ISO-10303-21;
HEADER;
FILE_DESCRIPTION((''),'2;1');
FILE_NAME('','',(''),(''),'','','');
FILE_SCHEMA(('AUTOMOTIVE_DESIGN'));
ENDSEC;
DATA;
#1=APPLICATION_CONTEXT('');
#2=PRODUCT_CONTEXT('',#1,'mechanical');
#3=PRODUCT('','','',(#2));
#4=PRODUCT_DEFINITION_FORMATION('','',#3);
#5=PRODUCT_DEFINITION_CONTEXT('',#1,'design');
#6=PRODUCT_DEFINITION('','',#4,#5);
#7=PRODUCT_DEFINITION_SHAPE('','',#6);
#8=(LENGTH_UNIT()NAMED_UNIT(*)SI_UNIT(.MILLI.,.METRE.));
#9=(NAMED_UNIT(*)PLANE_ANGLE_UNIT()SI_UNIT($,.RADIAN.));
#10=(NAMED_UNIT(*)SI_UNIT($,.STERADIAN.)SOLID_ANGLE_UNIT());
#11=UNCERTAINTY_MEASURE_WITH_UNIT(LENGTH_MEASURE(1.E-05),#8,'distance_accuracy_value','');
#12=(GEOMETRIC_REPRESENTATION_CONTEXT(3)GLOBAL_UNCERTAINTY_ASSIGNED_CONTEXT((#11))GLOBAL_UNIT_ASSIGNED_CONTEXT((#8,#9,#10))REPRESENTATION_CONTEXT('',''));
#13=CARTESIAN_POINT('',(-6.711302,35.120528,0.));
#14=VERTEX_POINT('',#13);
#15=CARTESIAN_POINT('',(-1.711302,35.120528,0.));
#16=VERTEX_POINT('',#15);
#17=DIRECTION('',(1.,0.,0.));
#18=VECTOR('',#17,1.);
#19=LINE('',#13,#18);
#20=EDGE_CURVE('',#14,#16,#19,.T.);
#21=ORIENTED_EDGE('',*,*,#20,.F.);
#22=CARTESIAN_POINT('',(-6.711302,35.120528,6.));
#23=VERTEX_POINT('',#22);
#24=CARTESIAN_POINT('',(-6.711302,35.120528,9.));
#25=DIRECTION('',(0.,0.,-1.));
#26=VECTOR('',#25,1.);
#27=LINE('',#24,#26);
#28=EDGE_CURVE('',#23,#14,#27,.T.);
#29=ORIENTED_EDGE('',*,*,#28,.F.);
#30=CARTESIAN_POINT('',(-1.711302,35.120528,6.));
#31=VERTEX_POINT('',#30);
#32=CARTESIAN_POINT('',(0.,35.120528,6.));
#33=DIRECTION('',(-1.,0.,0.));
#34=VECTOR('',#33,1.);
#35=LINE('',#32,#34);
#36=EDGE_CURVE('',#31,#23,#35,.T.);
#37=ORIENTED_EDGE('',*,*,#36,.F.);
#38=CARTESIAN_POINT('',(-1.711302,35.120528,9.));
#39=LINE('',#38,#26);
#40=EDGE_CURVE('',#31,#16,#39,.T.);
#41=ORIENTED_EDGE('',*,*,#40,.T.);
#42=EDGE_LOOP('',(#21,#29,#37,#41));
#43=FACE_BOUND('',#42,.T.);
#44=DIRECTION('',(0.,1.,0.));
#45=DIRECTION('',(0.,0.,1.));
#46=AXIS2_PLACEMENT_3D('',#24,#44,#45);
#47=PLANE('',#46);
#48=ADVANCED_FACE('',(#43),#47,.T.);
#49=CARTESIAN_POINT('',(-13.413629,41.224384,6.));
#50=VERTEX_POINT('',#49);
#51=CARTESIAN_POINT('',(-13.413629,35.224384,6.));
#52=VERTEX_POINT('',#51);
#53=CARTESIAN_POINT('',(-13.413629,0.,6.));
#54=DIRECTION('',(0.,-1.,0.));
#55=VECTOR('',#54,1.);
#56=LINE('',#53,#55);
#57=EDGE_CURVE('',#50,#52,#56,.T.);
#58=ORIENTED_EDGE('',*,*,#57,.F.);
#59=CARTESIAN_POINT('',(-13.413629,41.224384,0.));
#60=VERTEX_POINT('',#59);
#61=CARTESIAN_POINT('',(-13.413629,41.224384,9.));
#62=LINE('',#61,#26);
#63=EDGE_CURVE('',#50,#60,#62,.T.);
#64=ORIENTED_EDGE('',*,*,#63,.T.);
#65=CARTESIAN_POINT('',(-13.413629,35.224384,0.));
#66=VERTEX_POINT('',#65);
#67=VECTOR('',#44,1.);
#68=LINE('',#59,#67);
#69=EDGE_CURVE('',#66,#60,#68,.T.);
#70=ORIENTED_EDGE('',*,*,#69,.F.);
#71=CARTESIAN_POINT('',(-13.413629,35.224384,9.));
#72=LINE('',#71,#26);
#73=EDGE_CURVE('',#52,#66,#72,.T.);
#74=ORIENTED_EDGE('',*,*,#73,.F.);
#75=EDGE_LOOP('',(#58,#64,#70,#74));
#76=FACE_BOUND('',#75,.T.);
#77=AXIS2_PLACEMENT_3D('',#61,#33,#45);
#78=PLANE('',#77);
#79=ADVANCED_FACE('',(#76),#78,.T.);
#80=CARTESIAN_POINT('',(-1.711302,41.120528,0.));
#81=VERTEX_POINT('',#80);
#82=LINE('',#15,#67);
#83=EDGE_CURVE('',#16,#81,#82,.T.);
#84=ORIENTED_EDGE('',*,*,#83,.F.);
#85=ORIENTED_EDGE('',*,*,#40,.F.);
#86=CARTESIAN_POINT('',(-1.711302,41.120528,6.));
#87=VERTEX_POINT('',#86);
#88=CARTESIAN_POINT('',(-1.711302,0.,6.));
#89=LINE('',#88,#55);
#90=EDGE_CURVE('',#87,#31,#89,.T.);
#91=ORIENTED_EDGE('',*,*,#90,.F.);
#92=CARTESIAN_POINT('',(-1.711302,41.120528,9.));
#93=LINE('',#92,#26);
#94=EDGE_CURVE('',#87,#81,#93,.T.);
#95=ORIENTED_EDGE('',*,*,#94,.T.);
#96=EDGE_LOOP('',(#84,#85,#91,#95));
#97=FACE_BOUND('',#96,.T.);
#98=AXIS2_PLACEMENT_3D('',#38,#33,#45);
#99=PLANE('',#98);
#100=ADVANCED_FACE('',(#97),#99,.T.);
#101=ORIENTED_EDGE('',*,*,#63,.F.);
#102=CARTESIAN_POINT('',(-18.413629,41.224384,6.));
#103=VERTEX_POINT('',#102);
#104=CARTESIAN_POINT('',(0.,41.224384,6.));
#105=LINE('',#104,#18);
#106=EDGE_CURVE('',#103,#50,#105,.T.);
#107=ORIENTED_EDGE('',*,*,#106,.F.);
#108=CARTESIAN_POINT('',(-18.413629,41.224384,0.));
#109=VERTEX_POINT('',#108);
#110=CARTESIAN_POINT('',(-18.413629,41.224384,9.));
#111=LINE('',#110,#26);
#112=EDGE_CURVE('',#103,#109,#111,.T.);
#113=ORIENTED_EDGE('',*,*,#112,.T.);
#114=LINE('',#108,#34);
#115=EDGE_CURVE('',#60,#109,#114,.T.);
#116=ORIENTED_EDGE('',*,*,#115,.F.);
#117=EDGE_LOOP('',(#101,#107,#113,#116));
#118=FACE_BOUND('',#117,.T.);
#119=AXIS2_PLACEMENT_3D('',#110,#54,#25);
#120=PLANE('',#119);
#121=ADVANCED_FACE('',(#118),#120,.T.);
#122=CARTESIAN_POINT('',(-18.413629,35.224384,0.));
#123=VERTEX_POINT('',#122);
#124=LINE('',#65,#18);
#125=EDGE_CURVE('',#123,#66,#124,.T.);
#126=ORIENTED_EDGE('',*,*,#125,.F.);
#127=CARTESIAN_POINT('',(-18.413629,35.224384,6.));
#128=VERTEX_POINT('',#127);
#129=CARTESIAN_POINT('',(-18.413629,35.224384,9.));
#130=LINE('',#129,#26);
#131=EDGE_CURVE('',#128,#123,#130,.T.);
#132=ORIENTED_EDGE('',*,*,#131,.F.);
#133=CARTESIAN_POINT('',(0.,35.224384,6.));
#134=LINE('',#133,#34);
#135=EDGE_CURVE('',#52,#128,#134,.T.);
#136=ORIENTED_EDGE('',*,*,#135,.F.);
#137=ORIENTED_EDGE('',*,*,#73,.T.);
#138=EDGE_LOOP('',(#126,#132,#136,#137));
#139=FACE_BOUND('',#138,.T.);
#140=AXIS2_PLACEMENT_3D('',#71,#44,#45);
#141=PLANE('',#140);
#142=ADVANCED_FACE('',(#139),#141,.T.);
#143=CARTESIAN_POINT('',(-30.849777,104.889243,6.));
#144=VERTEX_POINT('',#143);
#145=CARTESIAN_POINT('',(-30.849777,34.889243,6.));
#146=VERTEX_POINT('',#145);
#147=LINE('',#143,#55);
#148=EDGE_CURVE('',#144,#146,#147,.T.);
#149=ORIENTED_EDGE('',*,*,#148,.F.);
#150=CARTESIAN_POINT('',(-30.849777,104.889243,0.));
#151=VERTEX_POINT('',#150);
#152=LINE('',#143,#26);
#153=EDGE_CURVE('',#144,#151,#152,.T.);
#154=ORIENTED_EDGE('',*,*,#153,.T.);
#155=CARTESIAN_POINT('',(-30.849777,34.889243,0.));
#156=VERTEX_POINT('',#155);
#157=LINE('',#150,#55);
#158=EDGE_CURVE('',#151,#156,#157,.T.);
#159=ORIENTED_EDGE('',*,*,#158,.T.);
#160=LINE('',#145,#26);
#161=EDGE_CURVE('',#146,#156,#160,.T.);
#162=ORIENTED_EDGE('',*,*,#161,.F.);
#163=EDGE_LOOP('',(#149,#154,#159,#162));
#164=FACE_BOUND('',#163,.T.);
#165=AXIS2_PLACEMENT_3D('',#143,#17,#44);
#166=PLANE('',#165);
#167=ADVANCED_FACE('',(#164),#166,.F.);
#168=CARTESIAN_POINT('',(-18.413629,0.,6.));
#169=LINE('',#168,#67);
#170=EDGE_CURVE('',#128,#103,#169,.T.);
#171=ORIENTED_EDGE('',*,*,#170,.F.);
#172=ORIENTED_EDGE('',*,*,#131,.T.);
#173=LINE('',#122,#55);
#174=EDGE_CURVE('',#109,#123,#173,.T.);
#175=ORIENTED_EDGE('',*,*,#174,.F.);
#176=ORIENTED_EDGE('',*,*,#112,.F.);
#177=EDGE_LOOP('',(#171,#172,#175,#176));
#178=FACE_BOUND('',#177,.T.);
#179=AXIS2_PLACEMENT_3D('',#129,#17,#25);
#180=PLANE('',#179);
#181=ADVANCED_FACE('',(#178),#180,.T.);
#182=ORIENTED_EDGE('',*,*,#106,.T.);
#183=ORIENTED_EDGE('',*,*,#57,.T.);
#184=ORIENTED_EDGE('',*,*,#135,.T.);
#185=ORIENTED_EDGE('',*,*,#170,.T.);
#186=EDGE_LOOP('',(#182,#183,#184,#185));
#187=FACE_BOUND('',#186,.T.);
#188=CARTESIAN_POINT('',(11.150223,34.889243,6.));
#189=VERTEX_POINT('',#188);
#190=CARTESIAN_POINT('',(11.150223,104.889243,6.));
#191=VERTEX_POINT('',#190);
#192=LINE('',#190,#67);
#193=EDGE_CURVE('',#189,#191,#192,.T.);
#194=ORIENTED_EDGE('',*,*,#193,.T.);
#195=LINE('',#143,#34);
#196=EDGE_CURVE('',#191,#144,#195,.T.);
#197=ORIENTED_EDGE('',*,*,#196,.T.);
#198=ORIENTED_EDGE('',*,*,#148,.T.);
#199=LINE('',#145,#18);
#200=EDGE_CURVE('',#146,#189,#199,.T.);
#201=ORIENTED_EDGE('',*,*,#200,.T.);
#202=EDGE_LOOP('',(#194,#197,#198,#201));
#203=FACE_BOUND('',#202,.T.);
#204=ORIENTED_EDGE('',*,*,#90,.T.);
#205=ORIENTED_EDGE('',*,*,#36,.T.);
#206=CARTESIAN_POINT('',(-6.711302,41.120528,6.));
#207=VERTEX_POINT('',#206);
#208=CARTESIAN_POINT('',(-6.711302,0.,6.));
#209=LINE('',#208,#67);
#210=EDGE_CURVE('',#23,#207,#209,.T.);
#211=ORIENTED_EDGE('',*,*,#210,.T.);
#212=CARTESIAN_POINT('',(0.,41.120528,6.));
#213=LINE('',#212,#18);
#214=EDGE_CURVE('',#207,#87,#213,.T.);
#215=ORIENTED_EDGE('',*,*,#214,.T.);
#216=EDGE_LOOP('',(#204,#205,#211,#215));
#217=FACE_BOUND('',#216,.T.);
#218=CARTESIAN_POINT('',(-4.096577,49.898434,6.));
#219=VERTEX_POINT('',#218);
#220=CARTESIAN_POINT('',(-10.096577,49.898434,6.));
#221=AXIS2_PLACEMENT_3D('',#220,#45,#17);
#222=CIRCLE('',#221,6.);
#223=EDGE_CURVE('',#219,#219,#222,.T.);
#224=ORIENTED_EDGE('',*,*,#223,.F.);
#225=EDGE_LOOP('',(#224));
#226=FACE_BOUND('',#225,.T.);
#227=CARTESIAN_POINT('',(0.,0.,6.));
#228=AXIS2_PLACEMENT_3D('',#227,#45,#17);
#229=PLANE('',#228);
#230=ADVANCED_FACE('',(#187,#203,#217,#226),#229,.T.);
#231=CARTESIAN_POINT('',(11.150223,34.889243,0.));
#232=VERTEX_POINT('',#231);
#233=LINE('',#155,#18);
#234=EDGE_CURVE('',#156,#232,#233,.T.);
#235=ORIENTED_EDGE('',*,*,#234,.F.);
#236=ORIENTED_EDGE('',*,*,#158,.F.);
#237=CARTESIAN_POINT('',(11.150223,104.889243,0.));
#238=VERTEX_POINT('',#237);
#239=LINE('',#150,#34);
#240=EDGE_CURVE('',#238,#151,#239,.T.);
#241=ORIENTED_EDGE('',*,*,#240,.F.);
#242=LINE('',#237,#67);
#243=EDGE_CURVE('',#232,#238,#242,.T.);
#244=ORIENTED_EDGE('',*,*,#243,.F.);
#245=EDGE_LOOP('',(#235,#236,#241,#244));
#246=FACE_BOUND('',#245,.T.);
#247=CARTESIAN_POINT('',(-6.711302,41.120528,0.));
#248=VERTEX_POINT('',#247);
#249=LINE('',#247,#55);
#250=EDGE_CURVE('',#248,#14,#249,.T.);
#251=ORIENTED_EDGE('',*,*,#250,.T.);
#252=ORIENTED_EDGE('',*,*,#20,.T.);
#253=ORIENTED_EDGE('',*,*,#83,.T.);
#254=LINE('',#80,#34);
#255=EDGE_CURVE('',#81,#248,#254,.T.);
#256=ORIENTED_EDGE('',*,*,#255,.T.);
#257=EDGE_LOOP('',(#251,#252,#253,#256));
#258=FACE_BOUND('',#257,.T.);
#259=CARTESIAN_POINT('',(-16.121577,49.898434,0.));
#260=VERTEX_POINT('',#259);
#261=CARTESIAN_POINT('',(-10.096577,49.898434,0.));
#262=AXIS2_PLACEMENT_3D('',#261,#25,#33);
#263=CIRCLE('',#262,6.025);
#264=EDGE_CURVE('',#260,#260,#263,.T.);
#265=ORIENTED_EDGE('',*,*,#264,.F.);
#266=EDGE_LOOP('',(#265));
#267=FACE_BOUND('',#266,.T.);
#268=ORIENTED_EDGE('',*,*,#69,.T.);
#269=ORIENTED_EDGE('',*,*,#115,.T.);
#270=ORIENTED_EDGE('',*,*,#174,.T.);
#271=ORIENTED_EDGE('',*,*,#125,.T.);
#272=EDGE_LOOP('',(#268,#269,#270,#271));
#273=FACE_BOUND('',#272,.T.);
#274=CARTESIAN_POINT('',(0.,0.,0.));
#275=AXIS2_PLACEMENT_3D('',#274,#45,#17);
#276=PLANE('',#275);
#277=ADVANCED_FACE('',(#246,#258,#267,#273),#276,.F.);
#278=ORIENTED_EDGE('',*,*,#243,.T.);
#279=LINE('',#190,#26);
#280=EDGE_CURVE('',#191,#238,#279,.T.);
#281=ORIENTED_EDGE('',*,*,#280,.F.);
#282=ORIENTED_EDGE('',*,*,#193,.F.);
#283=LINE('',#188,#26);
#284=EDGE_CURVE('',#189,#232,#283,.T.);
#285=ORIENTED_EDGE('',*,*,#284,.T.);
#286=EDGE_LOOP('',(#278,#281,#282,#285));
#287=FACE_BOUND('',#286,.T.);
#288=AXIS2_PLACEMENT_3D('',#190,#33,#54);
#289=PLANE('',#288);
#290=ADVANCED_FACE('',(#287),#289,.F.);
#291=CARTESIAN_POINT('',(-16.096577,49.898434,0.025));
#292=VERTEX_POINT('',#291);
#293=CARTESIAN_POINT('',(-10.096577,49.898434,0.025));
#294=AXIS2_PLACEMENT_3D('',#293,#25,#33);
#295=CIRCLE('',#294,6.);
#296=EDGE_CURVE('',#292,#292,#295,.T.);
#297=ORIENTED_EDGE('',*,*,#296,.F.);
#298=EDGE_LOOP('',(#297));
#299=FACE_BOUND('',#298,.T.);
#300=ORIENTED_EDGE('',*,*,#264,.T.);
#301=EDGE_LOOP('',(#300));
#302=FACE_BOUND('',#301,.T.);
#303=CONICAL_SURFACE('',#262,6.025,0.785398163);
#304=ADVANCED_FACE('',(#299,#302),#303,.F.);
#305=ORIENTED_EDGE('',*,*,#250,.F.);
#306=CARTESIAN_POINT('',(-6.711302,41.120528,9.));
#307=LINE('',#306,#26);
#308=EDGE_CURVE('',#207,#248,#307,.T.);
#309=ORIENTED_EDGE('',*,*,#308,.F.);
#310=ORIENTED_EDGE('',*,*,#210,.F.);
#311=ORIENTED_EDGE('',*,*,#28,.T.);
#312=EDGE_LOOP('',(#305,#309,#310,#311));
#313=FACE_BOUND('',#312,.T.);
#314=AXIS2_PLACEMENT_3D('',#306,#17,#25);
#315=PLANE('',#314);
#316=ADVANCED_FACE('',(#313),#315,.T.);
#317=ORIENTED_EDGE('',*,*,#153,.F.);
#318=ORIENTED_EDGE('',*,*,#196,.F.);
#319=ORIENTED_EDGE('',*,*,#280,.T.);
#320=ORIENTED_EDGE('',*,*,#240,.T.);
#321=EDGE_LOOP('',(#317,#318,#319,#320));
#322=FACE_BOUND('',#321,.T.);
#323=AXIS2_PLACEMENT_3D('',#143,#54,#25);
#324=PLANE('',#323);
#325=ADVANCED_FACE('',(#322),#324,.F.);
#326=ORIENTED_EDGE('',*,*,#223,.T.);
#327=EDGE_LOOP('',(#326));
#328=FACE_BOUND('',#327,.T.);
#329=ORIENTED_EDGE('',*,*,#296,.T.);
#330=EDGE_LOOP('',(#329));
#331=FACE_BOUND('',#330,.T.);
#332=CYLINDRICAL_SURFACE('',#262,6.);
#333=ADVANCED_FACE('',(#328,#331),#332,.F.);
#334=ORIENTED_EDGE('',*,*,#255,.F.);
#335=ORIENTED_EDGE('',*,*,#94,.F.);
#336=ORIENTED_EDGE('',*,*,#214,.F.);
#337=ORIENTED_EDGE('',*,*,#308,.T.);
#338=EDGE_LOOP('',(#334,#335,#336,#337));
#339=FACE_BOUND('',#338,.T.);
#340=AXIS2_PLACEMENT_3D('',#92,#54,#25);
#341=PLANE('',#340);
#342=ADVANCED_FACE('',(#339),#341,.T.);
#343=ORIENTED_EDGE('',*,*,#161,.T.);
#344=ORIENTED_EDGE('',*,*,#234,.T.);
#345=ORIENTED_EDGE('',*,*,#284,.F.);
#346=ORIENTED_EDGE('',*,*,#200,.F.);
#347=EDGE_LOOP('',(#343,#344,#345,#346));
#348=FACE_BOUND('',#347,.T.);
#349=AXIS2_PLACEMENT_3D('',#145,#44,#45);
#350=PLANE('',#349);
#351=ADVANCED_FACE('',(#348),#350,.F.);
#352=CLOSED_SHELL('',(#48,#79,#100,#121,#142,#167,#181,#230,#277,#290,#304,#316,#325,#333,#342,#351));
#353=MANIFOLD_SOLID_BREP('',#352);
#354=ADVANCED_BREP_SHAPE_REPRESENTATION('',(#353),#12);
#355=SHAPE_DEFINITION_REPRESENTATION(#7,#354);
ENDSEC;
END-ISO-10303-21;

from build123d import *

# Parameters (mm, degrees)
SKETCH1_W                        = 42
SKETCH1_H                        = 70
BOSS_EXTRUDE1_DEPTH              = 6
SKETCH2_W                        = 5
SKETCH2_H                        = 6
CUT_EXTRUDE1_DEPTH               = 9
F_12_0MM_DOWEL_HOLE1_D           = 12
F_12_0MM_DOWEL_HOLE1_DEPTH       = 50
F_12_0MM_DOWEL_HOLE1_CSINK_D     = 12.05
F_12_0MM_DOWEL_HOLE1_CSINK_ANGLE = 90
F_12_0MM_DOWEL_HOLE1_TIP         = 3.605163714


with BuildPart() as part:
    # Sketch1 → Boss-Extrude1 (new body)
    with BuildSketch(Plane.XY):
        with Locations((-9.849777317, 69.889242879)):
            Rectangle(SKETCH1_W, SKETCH1_H)
    extrude(amount=BOSS_EXTRUDE1_DEPTH)

    # Sketch2 → Cut-Extrude1 (cut)
    with BuildSketch(Plane.XY):
        with Locations((-4.211301735, 38.120527714)):
            Rectangle(SKETCH2_W, SKETCH2_H)
        with Locations((-15.91362892, 38.2243844)):
            Rectangle(SKETCH2_W, SKETCH2_H)
    extrude(amount=CUT_EXTRUDE1_DEPTH, mode=Mode.SUBTRACT)

    # Ø12.0mm Dowel Hole1
    with Locations(Plane(origin=(0, 0, 0), x_dir=(-1, 0, 0), z_dir=(0, 0, -1))):
        with Locations((10.096577426, 49.898434055)):
            CounterSinkHole(F_12_0MM_DOWEL_HOLE1_D / 2, F_12_0MM_DOWEL_HOLE1_CSINK_D / 2, depth=F_12_0MM_DOWEL_HOLE1_DEPTH, counter_sink_angle=F_12_0MM_DOWEL_HOLE1_CSINK_ANGLE)
            with Locations((0, 0, -(F_12_0MM_DOWEL_HOLE1_DEPTH + F_12_0MM_DOWEL_HOLE1_TIP / 2))):  # 118° drill point
                Cone(0, F_12_0MM_DOWEL_HOLE1_D / 2, F_12_0MM_DOWEL_HOLE1_TIP, mode=Mode.SUBTRACT)


solid = part.part
